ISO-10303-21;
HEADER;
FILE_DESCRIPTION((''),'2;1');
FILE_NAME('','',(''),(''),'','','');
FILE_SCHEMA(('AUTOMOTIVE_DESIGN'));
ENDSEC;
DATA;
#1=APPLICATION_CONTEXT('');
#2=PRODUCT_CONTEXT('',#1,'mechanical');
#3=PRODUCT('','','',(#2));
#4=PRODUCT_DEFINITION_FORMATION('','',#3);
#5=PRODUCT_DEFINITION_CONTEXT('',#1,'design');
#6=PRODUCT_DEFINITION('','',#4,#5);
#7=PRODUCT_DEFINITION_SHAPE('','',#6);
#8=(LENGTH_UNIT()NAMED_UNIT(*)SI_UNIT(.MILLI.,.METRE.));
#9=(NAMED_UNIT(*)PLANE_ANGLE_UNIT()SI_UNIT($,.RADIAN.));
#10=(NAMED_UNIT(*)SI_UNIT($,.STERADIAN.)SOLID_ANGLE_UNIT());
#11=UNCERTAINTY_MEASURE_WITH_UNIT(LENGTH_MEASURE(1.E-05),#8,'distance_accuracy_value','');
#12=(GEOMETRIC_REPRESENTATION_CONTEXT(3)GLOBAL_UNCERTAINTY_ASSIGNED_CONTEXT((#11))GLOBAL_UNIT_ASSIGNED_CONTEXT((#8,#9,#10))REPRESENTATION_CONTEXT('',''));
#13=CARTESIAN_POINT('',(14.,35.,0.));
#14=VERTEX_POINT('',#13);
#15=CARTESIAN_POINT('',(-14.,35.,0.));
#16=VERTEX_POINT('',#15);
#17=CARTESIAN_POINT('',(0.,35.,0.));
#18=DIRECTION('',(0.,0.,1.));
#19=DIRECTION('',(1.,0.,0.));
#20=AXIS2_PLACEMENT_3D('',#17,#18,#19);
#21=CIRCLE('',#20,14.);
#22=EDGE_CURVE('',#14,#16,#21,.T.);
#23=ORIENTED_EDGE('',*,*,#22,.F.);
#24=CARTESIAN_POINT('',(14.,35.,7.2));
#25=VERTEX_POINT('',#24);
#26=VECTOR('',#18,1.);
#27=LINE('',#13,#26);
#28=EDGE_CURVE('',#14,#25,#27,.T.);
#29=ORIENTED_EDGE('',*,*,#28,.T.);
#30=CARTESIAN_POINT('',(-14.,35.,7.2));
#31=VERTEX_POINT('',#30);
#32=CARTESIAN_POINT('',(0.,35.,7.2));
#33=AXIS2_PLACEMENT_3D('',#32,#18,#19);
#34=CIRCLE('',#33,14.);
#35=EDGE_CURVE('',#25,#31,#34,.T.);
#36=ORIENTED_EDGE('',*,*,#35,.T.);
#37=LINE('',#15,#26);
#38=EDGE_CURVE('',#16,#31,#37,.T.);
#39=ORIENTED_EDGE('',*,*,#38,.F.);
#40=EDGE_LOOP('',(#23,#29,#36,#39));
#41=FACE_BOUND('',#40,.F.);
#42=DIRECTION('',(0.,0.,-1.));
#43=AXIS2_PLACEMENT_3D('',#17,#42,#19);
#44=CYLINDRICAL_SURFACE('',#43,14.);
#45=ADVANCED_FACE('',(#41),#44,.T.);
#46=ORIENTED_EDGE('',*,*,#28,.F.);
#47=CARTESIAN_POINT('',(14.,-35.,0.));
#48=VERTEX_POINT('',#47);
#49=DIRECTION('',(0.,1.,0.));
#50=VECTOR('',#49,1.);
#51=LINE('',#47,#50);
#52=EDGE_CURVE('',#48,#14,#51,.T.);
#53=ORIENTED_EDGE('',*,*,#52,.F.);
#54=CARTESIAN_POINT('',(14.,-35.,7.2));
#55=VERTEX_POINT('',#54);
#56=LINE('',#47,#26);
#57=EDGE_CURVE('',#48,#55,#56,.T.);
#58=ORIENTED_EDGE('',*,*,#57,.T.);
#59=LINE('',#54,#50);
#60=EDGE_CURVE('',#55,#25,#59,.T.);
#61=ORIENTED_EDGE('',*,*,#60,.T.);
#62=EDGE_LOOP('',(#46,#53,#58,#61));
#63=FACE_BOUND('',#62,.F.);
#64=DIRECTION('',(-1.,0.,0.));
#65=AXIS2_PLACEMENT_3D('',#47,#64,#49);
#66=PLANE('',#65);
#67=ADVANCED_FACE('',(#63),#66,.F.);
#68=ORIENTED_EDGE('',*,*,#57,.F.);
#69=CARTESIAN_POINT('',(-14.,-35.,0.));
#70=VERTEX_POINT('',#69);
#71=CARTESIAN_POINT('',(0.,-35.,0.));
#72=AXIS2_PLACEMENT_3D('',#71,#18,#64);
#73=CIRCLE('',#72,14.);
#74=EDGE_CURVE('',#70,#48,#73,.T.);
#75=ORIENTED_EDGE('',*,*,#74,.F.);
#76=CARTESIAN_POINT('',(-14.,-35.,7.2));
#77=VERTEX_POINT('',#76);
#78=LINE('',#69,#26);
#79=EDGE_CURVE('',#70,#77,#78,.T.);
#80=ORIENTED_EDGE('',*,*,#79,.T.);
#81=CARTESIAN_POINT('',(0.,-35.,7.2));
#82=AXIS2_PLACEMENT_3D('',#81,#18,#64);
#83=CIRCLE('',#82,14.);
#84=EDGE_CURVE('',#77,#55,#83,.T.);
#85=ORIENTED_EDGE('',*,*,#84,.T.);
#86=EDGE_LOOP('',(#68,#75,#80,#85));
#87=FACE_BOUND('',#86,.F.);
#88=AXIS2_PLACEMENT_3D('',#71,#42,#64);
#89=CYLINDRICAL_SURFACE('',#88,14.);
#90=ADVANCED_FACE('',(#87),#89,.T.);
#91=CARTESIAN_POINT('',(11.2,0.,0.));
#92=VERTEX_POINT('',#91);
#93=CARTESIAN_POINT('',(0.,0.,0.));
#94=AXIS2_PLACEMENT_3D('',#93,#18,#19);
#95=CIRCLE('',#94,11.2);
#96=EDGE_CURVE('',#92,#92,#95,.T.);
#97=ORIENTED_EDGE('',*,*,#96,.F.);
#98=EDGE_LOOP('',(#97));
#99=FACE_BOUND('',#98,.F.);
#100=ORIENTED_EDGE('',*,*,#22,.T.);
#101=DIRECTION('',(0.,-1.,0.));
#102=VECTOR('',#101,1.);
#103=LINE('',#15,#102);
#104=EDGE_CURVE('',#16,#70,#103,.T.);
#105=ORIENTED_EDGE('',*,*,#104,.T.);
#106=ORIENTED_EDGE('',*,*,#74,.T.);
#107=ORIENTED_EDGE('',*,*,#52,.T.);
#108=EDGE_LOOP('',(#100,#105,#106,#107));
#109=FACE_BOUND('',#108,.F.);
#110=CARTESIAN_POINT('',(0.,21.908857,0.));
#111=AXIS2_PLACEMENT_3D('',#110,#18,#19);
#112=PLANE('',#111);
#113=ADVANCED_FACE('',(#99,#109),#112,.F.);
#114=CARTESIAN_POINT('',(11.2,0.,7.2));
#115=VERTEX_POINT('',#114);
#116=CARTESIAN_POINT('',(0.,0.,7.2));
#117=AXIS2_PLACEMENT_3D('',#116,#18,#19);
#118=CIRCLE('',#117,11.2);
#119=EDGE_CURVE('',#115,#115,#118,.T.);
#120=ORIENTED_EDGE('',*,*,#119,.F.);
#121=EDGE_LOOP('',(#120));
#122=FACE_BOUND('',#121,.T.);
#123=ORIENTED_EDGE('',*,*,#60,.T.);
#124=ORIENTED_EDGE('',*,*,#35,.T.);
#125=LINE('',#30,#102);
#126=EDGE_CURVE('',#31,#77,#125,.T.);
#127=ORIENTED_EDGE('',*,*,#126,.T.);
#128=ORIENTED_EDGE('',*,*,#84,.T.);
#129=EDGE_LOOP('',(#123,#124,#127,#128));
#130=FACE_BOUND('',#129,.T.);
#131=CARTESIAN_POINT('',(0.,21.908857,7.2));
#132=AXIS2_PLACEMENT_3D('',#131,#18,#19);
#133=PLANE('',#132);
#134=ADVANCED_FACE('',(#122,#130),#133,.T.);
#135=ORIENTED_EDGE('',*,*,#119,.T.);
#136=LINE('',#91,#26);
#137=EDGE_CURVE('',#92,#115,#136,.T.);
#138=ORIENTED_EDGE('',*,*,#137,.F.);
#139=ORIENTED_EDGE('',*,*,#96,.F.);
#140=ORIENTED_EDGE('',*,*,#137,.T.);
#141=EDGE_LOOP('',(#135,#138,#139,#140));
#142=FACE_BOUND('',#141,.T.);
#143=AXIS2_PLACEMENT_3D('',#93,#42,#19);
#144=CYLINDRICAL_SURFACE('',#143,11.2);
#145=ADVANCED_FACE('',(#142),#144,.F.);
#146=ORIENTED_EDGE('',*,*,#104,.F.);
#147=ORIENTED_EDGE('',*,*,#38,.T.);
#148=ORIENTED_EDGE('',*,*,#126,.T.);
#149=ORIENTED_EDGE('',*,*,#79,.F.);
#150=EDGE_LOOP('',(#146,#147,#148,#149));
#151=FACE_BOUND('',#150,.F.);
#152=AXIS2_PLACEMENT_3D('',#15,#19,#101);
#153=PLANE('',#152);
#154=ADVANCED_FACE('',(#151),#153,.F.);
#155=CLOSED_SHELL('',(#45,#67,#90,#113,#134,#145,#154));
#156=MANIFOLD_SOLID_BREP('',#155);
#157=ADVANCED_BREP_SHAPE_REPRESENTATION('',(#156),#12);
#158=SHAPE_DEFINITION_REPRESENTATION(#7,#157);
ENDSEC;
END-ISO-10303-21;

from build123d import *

# Parameters (mm, degrees)
F0_R     = 11.2
F1_DEPTH = 7.2


with BuildPart() as f1:
    # F0 (on Top) → F1 (new body)
    with BuildSketch(Plane.XY):
        with BuildLine():
            ThreePointArc((-14, 0), (0, 14), (14, 0))
            Line((14, 0), (14, 35))
            ThreePointArc((14, 35), (0, 49), (-14, 35))
            Line((-14, 35), (-14, 0))
        make_face()
        with BuildLine():
            ThreePointArc((-14, 0), (0, -14), (14, 0))
            ThreePointArc((14, 0), (0, 14), (-14, 0))
        make_face()
        Circle(F0_R, mode=Mode.SUBTRACT)
        with BuildLine():
            Line((14, -35), (14, 0))
            ThreePointArc((14, 0), (0, -14), (-14, 0))
            Line((-14, 0), (-14, -35))
            ThreePointArc((-14, -35), (0, -49), (14, -35))
        make_face()
    extrude(amount=F1_DEPTH)


solid = f1.part
